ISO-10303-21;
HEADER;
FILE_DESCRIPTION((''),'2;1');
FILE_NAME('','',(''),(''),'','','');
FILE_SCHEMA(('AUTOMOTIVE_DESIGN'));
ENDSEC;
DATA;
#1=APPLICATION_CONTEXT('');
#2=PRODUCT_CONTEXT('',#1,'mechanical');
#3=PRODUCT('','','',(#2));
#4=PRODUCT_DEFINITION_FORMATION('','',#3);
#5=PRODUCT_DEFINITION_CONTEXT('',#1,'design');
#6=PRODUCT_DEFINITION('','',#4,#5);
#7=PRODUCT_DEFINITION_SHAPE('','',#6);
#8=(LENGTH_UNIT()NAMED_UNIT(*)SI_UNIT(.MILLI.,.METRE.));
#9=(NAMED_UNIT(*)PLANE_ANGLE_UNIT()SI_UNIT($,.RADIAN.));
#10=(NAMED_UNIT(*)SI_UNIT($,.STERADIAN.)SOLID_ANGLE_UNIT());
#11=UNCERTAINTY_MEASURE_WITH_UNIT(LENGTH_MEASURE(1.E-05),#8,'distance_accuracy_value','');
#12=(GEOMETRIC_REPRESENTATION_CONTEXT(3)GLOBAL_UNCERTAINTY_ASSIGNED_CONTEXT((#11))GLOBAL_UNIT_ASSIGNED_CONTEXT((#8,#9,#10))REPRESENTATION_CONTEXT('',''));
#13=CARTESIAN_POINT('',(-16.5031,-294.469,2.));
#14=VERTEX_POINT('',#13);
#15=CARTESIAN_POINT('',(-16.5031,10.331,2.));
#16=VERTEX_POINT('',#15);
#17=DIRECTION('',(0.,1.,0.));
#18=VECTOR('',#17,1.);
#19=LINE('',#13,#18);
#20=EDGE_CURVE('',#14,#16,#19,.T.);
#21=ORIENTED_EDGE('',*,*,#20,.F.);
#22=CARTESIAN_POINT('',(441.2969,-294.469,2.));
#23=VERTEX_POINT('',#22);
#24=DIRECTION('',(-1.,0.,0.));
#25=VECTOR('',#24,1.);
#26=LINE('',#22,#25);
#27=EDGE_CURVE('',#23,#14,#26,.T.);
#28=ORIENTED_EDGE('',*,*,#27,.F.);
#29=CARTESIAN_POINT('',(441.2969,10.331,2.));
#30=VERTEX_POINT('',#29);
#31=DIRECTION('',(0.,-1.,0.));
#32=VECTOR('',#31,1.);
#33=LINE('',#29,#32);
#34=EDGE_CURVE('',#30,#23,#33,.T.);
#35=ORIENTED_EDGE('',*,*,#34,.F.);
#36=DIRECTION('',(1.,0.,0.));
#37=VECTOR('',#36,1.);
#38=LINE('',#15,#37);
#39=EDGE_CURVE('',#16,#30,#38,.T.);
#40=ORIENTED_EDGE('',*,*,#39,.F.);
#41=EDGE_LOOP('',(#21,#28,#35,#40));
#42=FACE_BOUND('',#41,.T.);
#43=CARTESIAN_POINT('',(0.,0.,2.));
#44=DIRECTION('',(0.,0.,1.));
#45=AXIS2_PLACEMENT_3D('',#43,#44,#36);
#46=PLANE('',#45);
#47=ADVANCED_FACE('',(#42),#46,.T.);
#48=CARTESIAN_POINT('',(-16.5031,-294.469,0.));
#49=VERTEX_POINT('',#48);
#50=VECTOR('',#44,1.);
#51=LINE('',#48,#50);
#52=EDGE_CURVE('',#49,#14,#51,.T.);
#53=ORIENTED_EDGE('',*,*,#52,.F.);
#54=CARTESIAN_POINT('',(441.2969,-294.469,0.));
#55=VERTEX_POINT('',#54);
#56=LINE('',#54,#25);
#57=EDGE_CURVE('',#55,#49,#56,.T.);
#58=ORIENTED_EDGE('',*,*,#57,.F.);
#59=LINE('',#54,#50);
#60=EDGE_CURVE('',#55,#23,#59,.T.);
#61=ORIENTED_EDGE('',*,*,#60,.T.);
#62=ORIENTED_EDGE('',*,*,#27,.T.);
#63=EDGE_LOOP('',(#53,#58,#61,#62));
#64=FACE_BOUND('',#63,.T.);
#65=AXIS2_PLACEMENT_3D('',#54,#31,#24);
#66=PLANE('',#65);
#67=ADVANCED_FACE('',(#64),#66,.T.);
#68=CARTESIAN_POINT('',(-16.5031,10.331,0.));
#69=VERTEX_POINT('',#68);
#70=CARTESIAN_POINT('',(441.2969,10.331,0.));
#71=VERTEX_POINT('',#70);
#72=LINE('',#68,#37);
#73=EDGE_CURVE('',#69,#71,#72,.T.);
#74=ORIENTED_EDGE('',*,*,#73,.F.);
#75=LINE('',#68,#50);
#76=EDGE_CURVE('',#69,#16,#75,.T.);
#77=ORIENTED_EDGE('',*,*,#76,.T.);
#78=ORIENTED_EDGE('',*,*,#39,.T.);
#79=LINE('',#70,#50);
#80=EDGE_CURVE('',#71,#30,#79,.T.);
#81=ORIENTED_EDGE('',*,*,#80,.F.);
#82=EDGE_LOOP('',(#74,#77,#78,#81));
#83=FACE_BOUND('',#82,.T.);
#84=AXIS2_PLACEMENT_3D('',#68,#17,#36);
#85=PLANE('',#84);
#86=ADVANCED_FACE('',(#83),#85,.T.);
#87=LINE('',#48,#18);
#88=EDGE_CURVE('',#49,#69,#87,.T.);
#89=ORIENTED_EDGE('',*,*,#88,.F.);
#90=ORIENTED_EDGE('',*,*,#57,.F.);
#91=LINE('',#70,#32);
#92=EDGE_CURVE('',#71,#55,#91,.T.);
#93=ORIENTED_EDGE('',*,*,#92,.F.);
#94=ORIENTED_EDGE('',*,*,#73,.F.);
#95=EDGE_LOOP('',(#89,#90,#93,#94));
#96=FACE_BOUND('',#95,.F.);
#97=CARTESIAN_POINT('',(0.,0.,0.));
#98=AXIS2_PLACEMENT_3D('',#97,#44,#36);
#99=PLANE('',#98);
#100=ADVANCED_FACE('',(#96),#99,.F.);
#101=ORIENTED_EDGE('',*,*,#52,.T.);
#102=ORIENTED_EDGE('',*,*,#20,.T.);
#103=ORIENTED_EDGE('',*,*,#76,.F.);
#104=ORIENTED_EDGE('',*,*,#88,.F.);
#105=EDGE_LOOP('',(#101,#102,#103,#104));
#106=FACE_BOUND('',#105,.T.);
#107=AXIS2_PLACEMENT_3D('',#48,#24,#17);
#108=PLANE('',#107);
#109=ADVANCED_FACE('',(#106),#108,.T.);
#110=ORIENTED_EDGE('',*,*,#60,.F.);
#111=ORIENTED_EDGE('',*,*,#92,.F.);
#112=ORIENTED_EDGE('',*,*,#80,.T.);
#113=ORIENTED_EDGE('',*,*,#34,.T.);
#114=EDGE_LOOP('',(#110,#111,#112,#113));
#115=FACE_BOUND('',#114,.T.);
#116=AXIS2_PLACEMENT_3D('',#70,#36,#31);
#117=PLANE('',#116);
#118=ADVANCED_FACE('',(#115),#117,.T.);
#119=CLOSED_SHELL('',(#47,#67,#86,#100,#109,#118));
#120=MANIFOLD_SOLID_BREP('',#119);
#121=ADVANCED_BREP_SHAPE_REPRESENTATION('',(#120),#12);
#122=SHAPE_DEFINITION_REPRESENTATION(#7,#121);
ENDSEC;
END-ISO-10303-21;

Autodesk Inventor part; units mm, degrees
ref_plane "YZ Plane" through (0, 0, 0) normal (1, 0, 0) x (0, 1, 0)
ref_plane "XZ Plane" through (0, 0, 0) normal (0, 1, 0) x (-1, 0, 0)
ref_plane "XY Plane" through (0, 0, 0) normal (0, 0, 1) x (1, 0, 0)
sketch "Sketch1" plane through (0, 0, 0) normal (0, 0, 1) x (1, 0, 0)
  line L0 (-16.5031, 10.331) -> (441.2969, 10.331)
  line L1 (441.2969, 10.331) -> (441.2969, -294.469)
  line L2 (441.2969, -294.469) -> (-16.5031, -294.469)
  line L3 (-16.5031, -294.469) -> (-16.5031, 10.331)
  point P0 (0, 0)
  dimension "d0" = 457.8
  dimension "d1" = 304.8
extrude "Extrusion1" add sketch "Sketch1" along normal blind 2
sketch "Sketch2" plane through (0, 0, 2) normal (0, 0, 1) x (1, 0, 0)
  line L0 (-16.5031, -294.469) -> (441.2969, -294.469) projected
  line L1 (441.2969, 10.331) -> (-16.5031, 10.331) projected
  point P0 (0, 0)
  dimension "d4" = 304.8
  dimension "d5" = 457.8
properties part number "outerbox1plate"
